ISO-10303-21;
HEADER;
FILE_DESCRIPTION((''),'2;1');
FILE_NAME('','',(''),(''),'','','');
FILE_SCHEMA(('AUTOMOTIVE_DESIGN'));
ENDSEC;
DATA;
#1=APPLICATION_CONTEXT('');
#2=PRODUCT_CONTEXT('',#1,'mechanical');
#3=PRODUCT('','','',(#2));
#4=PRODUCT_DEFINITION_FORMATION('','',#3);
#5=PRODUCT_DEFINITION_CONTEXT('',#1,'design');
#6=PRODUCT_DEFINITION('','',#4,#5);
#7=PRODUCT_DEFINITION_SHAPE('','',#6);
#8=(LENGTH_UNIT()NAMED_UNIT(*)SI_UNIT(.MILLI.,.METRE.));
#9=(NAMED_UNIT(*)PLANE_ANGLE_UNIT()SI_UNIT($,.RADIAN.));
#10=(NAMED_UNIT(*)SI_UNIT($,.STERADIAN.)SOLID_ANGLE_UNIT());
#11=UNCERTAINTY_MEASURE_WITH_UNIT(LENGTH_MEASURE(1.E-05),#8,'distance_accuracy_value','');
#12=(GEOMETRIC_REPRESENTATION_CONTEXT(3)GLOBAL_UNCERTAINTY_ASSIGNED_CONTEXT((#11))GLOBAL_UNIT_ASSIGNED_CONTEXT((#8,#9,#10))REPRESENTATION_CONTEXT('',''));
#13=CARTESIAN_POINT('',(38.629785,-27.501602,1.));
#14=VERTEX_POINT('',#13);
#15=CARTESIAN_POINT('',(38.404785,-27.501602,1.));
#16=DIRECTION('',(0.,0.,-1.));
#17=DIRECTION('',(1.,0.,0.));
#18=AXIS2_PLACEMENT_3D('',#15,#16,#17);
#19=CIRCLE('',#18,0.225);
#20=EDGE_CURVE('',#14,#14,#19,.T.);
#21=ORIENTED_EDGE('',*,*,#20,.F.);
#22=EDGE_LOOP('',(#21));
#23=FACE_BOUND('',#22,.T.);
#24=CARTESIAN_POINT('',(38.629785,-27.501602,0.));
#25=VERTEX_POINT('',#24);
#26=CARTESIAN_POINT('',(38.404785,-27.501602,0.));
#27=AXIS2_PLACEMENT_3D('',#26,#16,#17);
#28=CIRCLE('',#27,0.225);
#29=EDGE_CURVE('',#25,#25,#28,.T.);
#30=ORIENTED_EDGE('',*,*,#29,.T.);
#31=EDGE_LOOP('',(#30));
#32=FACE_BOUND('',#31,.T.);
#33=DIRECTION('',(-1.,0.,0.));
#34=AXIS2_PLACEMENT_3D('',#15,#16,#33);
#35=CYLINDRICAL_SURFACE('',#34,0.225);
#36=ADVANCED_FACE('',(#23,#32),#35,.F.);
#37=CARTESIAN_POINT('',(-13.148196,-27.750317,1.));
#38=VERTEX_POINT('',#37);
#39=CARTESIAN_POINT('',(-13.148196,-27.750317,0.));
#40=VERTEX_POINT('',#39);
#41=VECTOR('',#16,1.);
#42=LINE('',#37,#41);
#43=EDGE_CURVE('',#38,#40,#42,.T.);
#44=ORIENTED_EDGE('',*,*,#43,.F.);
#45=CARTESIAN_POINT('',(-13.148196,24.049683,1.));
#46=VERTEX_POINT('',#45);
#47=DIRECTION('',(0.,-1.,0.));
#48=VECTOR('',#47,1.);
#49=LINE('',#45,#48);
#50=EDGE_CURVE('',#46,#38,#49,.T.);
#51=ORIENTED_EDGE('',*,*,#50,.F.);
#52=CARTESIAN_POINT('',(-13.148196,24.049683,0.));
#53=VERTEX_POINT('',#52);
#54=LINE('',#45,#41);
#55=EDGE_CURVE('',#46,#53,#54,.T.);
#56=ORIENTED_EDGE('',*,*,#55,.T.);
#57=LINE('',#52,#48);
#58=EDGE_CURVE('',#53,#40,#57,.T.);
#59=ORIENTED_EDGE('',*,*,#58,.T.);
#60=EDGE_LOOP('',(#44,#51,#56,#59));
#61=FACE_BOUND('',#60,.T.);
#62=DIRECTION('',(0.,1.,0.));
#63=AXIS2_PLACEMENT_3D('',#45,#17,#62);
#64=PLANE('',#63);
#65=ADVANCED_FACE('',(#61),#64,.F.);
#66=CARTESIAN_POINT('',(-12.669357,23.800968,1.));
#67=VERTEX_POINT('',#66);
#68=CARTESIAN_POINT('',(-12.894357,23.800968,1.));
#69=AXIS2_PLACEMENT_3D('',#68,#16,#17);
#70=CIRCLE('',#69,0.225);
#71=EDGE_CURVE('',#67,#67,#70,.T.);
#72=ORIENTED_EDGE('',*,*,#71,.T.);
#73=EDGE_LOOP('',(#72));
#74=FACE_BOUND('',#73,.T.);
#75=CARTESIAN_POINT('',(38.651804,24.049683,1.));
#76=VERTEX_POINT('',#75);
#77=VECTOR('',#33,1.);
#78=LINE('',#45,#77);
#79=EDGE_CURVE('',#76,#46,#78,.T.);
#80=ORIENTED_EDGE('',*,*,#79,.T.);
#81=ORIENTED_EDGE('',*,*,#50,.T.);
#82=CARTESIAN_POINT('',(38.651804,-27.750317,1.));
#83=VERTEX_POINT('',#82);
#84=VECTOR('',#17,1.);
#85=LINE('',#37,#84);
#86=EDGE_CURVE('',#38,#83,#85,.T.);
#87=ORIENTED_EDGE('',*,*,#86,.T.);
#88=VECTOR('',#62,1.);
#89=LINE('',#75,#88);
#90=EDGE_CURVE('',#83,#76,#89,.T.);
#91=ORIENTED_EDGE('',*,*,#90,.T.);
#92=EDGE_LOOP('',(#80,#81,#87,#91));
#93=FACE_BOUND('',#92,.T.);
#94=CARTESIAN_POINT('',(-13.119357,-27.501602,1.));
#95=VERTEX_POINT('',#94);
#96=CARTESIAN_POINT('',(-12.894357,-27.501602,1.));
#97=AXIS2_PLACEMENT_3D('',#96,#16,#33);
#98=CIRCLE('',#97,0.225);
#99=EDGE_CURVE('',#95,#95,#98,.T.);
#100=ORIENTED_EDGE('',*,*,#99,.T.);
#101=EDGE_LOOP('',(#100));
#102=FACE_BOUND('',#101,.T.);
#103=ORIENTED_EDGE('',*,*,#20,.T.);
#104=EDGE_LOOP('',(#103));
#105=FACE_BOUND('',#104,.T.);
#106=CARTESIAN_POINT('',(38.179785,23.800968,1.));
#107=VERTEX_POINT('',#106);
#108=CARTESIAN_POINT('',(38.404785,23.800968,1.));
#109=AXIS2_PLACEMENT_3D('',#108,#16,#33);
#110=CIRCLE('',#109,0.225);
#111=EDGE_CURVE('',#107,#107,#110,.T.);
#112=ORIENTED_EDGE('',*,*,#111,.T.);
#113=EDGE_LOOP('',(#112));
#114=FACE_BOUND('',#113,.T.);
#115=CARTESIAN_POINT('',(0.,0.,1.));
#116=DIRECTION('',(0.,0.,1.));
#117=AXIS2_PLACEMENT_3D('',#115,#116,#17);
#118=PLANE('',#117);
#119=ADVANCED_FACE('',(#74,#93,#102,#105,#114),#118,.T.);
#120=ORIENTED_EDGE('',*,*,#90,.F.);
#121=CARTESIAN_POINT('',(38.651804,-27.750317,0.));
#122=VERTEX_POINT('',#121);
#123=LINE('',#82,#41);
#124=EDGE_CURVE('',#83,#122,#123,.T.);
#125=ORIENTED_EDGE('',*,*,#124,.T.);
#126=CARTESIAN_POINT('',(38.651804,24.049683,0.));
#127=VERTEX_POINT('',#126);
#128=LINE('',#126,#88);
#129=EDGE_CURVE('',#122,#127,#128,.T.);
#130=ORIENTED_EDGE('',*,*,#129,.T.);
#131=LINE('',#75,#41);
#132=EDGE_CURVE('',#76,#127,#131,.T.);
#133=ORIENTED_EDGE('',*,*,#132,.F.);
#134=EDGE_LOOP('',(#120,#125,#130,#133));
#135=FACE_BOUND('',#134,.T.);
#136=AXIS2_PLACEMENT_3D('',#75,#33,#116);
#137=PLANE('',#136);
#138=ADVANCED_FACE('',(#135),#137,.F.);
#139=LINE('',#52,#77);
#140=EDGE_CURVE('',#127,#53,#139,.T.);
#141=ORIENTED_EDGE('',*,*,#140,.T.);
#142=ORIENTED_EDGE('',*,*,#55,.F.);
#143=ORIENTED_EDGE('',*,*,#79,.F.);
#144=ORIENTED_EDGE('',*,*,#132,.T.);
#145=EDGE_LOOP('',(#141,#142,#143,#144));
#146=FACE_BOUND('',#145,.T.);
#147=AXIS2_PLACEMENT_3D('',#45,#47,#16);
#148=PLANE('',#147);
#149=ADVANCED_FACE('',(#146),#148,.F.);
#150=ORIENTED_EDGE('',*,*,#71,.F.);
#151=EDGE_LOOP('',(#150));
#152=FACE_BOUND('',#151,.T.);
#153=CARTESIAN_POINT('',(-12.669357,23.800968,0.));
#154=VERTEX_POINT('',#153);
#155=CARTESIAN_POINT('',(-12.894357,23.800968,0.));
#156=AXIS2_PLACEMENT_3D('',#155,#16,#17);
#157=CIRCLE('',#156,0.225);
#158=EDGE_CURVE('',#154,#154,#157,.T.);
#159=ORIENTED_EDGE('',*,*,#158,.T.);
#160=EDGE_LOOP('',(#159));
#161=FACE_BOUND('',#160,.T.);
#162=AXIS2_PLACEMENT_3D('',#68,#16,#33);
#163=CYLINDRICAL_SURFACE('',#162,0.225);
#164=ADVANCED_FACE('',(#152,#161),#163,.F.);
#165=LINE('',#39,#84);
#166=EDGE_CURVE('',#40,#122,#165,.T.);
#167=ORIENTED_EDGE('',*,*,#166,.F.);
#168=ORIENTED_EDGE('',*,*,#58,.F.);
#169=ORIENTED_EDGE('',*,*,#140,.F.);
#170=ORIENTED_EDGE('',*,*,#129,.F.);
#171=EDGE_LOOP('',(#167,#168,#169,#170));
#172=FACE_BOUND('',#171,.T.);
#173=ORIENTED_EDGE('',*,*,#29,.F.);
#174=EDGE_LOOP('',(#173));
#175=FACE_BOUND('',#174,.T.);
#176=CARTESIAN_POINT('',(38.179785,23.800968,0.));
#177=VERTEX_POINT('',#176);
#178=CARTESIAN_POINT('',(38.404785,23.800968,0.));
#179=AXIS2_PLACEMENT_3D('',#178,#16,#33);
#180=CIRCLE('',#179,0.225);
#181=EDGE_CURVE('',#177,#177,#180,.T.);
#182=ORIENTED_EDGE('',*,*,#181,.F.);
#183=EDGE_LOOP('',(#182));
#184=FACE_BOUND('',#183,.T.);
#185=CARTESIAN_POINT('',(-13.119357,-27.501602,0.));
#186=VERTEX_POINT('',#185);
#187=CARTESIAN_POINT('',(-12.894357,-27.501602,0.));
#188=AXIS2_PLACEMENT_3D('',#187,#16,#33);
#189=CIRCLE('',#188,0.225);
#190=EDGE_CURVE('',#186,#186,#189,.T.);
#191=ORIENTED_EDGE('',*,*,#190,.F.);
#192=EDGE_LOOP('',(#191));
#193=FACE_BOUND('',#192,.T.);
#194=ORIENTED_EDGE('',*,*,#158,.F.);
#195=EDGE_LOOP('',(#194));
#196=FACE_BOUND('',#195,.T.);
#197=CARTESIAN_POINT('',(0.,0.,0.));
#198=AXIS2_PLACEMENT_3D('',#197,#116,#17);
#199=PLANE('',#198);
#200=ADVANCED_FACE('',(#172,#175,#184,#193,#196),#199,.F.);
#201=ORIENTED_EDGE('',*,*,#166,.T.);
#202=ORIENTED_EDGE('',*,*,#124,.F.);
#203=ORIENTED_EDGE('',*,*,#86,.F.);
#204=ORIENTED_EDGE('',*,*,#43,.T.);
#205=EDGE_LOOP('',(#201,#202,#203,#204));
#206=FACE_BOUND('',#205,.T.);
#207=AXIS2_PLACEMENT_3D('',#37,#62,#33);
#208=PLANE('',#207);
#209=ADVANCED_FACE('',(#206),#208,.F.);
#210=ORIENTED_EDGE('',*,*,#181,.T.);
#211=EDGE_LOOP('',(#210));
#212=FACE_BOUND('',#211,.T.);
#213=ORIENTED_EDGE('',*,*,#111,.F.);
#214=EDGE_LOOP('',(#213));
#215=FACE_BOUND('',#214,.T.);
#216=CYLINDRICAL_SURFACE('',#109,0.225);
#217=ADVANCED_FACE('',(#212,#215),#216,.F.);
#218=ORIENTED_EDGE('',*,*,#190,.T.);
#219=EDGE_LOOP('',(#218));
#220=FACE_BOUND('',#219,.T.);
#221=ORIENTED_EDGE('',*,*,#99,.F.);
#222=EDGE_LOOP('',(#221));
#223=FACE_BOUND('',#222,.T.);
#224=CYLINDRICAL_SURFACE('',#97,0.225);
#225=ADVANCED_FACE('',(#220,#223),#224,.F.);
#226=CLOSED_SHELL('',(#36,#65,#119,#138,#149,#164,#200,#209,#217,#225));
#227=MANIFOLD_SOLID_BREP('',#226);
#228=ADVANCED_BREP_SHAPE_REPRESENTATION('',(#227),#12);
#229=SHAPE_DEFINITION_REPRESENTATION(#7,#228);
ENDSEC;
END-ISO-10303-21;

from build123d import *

# Parameters (mm, degrees)
SKETCH1_W           = 51.8
SKETCH1_H           = 51.8
BOSS_EXTRUDE1_DEPTH = 1
SKETCH2_R           = 0.225
CUT_EXTRUDE1_DEPTH  = 2


with BuildPart() as part:
    # Sketch1 → Boss-Extrude1 (new body)
    with BuildSketch(Plane.XY):
        with Locations((12.751804073, -1.850317184)):
            Rectangle(SKETCH1_W, SKETCH1_H)
    extrude(amount=BOSS_EXTRUDE1_DEPTH)

    # Sketch2 → Cut-Extrude1 (cut, through all)
    with BuildSketch(Plane(origin=(0, 0, 0), x_dir=(-1, 0, 0), z_dir=(0, 0, -1))):
        with Locations((-38.404785349, 23.800967778)):
            Circle(SKETCH2_R)
        with Locations((-38.404785349, -27.501602145)):
            Circle(SKETCH2_R)
        with Locations((12.89435689, -27.501602145)):
            Circle(SKETCH2_R)
        with Locations((12.89435689, 23.800967778)):
            Circle(SKETCH2_R)
    extrude(amount=-CUT_EXTRUDE1_DEPTH, mode=Mode.SUBTRACT)


solid = part.part
